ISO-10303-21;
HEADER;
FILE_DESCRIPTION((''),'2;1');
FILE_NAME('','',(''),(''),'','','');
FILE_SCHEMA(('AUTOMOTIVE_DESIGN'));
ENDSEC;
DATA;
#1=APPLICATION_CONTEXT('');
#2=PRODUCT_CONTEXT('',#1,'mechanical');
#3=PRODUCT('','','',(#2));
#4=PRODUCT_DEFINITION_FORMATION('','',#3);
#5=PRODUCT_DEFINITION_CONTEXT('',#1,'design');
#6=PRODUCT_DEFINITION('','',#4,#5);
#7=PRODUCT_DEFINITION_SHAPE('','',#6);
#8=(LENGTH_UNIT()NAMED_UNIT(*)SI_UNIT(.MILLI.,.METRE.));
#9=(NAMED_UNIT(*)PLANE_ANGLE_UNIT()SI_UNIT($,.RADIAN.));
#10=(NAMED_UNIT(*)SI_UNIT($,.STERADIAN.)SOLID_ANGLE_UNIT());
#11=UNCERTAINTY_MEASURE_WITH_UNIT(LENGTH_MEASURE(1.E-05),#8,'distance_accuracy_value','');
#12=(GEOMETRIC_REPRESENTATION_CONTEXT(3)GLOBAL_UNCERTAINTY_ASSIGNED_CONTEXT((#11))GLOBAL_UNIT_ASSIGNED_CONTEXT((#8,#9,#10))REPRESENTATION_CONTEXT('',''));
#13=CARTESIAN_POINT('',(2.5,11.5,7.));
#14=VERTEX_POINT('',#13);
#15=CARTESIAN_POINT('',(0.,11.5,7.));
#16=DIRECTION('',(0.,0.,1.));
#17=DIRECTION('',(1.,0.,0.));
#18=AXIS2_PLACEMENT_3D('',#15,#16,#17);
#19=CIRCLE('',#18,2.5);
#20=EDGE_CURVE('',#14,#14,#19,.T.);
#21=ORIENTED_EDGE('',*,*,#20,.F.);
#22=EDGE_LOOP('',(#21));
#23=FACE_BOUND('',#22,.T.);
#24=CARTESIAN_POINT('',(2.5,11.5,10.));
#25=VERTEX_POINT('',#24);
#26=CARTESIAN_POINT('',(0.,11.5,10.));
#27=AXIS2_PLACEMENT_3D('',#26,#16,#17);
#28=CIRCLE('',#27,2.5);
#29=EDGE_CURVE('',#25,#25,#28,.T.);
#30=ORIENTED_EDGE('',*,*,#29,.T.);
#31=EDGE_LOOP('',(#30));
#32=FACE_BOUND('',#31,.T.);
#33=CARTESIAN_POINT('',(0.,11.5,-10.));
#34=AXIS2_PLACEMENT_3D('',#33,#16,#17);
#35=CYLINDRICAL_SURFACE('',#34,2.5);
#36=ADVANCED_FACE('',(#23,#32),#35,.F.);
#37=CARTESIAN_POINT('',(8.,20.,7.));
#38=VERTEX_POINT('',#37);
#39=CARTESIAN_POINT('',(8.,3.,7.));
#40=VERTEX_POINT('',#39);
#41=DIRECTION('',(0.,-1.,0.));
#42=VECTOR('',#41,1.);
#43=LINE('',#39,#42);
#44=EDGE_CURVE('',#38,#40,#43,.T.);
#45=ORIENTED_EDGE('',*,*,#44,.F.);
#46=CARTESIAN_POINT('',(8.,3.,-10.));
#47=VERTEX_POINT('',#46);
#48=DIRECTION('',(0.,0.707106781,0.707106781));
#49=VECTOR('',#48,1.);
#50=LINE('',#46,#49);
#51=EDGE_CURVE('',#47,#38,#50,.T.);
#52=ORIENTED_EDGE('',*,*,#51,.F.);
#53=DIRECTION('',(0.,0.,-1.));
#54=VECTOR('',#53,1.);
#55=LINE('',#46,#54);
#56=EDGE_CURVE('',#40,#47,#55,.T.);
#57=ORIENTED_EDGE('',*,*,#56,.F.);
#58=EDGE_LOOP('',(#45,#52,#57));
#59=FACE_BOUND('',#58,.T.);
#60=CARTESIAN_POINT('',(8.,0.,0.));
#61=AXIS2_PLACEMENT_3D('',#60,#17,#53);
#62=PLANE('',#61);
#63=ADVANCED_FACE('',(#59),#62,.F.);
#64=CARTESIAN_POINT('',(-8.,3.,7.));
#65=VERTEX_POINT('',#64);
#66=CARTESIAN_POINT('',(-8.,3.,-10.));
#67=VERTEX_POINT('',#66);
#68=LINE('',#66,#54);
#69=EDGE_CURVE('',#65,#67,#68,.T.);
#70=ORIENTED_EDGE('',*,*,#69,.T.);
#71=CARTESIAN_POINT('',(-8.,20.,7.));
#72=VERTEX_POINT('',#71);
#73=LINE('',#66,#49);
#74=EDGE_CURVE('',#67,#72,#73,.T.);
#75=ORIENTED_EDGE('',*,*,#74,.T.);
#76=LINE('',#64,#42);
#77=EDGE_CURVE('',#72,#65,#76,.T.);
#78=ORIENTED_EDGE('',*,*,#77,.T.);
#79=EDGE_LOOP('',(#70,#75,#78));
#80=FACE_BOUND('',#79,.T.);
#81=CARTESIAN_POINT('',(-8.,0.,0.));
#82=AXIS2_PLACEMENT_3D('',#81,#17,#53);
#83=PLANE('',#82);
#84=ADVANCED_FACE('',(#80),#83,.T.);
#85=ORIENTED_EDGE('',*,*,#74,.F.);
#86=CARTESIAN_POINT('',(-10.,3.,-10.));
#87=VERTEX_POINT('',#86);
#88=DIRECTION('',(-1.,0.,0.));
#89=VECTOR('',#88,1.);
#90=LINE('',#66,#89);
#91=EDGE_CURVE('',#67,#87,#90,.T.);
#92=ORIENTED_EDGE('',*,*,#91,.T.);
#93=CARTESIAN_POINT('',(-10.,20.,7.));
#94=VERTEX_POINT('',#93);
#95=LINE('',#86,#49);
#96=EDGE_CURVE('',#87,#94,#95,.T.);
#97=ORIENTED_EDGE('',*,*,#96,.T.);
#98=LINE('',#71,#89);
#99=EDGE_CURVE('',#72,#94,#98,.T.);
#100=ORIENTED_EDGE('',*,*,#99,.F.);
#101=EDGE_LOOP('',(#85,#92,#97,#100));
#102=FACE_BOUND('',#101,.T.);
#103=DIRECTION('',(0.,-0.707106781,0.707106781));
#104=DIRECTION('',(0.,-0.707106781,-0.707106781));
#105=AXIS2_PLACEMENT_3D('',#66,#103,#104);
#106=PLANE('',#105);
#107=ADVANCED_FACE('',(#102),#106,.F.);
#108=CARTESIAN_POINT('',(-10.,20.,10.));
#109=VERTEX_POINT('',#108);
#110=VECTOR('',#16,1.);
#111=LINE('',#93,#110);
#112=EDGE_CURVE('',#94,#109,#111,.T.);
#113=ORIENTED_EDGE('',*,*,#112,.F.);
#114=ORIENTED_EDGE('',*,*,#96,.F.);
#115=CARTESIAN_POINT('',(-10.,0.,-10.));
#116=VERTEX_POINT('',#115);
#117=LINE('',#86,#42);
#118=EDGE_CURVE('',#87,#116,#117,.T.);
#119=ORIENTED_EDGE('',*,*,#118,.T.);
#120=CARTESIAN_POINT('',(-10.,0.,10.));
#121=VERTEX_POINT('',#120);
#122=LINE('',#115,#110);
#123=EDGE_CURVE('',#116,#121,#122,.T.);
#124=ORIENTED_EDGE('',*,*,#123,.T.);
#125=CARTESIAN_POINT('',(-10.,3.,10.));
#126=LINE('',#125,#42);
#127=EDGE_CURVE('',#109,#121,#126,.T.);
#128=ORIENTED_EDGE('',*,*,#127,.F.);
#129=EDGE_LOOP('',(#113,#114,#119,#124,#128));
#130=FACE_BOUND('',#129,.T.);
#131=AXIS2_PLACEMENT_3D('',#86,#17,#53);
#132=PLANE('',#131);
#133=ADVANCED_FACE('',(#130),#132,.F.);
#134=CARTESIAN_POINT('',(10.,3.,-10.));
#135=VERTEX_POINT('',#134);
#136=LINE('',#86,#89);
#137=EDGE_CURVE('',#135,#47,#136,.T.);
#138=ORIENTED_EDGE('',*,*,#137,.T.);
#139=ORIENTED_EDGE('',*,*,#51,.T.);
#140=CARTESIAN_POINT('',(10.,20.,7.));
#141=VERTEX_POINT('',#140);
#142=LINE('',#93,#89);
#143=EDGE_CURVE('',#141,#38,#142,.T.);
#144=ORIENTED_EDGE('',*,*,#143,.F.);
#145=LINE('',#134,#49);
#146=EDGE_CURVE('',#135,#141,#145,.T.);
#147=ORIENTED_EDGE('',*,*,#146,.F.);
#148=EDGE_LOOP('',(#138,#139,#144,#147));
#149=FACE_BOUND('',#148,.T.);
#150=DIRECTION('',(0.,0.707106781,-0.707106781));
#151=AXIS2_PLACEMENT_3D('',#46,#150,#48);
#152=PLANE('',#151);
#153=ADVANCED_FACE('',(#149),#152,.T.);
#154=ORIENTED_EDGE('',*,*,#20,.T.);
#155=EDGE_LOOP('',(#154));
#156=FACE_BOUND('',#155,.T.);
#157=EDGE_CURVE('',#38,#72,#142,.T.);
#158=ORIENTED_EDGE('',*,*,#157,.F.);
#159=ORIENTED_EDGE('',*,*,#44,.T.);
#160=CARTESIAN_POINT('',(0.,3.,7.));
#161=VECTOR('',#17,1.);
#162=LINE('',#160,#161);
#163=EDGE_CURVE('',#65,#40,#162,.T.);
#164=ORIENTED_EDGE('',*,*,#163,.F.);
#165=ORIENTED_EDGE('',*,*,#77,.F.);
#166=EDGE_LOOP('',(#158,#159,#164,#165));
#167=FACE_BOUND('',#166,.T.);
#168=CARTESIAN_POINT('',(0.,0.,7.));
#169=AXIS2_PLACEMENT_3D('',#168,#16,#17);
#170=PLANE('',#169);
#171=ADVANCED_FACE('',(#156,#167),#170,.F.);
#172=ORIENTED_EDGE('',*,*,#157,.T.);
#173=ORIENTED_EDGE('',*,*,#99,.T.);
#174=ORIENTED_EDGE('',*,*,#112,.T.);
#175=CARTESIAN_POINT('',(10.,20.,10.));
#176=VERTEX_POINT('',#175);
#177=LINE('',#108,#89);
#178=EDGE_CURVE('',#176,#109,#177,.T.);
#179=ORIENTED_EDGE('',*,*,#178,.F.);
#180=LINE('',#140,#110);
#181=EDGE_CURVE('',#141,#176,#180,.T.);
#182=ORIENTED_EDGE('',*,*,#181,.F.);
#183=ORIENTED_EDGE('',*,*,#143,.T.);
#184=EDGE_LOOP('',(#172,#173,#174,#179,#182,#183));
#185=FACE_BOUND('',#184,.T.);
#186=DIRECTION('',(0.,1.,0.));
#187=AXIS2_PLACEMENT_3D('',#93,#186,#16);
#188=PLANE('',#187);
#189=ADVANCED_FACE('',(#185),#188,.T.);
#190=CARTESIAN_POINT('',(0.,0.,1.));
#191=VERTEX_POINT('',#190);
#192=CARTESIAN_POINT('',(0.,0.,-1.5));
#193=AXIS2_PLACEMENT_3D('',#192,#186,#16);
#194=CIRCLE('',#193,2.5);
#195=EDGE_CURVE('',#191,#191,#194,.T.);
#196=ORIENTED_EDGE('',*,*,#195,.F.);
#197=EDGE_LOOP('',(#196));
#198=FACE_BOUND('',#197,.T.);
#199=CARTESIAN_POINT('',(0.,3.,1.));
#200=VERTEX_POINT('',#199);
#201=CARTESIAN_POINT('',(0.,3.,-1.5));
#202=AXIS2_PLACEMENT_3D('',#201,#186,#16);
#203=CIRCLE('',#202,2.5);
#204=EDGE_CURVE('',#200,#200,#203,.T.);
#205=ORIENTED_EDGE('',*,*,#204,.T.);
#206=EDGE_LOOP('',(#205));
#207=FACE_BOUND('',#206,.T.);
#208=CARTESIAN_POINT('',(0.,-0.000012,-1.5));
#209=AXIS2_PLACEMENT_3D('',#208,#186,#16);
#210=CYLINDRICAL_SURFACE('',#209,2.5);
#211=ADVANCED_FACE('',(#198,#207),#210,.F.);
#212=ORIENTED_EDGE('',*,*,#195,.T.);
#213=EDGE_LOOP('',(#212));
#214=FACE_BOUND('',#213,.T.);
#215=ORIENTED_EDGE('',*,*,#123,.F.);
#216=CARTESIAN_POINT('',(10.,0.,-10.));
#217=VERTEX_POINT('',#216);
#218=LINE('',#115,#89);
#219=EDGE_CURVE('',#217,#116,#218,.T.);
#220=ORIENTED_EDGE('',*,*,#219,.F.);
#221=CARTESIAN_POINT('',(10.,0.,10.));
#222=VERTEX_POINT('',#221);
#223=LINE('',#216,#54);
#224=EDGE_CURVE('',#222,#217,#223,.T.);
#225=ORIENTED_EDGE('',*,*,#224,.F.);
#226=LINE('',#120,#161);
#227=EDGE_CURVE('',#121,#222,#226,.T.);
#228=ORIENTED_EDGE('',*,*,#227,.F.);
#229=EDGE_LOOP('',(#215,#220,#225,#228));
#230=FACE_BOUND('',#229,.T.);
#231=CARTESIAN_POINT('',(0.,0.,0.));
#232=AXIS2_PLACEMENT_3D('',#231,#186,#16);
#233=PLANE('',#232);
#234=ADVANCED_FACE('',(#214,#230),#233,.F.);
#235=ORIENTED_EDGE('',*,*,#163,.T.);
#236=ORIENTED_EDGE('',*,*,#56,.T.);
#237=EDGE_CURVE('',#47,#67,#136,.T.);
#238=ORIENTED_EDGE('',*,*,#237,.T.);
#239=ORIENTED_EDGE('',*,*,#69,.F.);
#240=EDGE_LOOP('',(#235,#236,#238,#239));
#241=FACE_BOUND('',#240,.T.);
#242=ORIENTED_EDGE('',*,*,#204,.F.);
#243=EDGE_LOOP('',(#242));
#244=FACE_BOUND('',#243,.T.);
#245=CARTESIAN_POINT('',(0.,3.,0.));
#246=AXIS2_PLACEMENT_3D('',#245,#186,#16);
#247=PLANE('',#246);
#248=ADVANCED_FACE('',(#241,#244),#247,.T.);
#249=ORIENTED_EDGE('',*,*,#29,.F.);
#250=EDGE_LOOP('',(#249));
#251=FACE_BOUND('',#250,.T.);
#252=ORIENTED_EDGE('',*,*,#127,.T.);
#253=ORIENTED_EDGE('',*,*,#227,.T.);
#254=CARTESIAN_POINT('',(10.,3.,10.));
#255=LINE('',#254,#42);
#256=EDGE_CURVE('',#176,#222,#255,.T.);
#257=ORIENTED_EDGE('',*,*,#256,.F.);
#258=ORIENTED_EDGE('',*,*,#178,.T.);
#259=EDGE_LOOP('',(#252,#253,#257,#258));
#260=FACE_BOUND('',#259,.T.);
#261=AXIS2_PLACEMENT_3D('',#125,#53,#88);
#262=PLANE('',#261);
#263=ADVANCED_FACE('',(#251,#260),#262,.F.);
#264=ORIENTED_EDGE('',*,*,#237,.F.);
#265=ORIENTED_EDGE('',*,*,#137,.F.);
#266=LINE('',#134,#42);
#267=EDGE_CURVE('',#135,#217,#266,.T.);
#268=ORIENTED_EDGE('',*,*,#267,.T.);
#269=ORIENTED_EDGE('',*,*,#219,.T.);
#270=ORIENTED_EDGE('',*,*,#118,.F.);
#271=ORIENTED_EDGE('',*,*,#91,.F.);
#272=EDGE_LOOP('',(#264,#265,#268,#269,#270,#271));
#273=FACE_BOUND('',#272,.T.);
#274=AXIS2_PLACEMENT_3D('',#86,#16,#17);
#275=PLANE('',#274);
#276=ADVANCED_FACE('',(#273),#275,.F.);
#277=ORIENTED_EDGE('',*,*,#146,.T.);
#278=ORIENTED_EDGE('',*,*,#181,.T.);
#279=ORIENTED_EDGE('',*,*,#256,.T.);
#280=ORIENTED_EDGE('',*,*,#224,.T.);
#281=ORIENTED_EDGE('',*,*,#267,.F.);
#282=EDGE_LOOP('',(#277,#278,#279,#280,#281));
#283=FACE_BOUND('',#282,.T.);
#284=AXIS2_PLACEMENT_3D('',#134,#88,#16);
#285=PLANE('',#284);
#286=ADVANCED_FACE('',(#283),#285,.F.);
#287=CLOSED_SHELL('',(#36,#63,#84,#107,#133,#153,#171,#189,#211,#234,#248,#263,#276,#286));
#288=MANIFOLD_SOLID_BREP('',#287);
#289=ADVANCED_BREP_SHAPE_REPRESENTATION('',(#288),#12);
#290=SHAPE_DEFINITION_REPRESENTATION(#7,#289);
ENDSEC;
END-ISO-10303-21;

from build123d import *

# Parameters (mm, degrees)
CROQUIS1_W                 = 20
CROQUIS1_H                 = 20
SALIENTE_EXTRUIR1_DEPTH    = 3
SALIENTE_EXTRUIR2_START    = 10
CROQUIS3_W                 = 20
CROQUIS3_H                 = 20
SALIENTE_EXTRUIR2_DEPTH    = 3
SALIENTE_EXTRUIR3_START    = 10
SALIENTE_EXTRUIR3_DEPTH    = 2
SALIENTE_EXTRUIR4_START    = -10
SALIENTE_EXTRUIR4_DEPTH    = 2
CROQUIS6_R                 = 2.5
CORTAR_EXTRUIR3_DEPTH      = 21
CORTAR_EXTRUIR3_DEPTH_BACK = 1
CROQUIS7_R                 = 2.5
CORTAR_EXTRUIR4_DEPTH      = 11
CORTAR_EXTRUIR4_DEPTH_BACK = 11


with BuildPart() as part:
    # Croquis1 → Saliente-Extruir1 (new body)
    with BuildSketch(Plane(origin=(0, 0, 0), x_dir=(1, 0, 0), z_dir=(0, 1, 0))):
        Rectangle(CROQUIS1_W, CROQUIS1_H)
    extrude(amount=SALIENTE_EXTRUIR1_DEPTH)

    # Croquis3 → Saliente-Extruir2 (add)
    with BuildSketch(Plane.XY.offset(SALIENTE_EXTRUIR2_START)):
        with Locations((0, 10)):
            Rectangle(CROQUIS3_W, CROQUIS3_H)
    extrude(amount=-SALIENTE_EXTRUIR2_DEPTH)

    # Croquis4 → Saliente-Extruir3 (add)
    with BuildSketch(Plane(origin=(0, 0, 0), x_dir=(0, 0, -1), z_dir=(1, 0, 0)).offset(SALIENTE_EXTRUIR3_START)):
        Polygon((-7, 20), (10, 3), (-7, 3), align=None)
    extrude(amount=-SALIENTE_EXTRUIR3_DEPTH)

    # Croquis8 → Saliente-Extruir4 (add)
    with BuildSketch(Plane(origin=(0, 0, 0), x_dir=(0, 0, -1), z_dir=(1, 0, 0)).offset(SALIENTE_EXTRUIR4_START)):
        Polygon((10, 3), (-7, 20), (-7, 3), align=None)
    extrude(amount=SALIENTE_EXTRUIR4_DEPTH)

    # Croquis6 → Cortar-Extruir3 (cut, two sides)
    with BuildSketch(Plane(origin=(0, 0, 0), x_dir=(1, 0, 0), z_dir=(0, 1, 0))) as cortar_extruir3_sk:
        with Locations((0, 1.5)):
            Circle(CROQUIS6_R)
    extrude(amount=CORTAR_EXTRUIR3_DEPTH, mode=Mode.SUBTRACT)
    extrude(cortar_extruir3_sk.sketch, amount=-CORTAR_EXTRUIR3_DEPTH_BACK, mode=Mode.SUBTRACT)

    # Croquis7 → Cortar-Extruir4 (cut, two sides)
    with BuildSketch(Plane.XY) as cortar_extruir4_sk:
        with Locations((0, 11.5)):
            Circle(CROQUIS7_R)
    extrude(amount=CORTAR_EXTRUIR4_DEPTH, mode=Mode.SUBTRACT)
    extrude(cortar_extruir4_sk.sketch, amount=-CORTAR_EXTRUIR4_DEPTH_BACK, mode=Mode.SUBTRACT)


solid = part.part
